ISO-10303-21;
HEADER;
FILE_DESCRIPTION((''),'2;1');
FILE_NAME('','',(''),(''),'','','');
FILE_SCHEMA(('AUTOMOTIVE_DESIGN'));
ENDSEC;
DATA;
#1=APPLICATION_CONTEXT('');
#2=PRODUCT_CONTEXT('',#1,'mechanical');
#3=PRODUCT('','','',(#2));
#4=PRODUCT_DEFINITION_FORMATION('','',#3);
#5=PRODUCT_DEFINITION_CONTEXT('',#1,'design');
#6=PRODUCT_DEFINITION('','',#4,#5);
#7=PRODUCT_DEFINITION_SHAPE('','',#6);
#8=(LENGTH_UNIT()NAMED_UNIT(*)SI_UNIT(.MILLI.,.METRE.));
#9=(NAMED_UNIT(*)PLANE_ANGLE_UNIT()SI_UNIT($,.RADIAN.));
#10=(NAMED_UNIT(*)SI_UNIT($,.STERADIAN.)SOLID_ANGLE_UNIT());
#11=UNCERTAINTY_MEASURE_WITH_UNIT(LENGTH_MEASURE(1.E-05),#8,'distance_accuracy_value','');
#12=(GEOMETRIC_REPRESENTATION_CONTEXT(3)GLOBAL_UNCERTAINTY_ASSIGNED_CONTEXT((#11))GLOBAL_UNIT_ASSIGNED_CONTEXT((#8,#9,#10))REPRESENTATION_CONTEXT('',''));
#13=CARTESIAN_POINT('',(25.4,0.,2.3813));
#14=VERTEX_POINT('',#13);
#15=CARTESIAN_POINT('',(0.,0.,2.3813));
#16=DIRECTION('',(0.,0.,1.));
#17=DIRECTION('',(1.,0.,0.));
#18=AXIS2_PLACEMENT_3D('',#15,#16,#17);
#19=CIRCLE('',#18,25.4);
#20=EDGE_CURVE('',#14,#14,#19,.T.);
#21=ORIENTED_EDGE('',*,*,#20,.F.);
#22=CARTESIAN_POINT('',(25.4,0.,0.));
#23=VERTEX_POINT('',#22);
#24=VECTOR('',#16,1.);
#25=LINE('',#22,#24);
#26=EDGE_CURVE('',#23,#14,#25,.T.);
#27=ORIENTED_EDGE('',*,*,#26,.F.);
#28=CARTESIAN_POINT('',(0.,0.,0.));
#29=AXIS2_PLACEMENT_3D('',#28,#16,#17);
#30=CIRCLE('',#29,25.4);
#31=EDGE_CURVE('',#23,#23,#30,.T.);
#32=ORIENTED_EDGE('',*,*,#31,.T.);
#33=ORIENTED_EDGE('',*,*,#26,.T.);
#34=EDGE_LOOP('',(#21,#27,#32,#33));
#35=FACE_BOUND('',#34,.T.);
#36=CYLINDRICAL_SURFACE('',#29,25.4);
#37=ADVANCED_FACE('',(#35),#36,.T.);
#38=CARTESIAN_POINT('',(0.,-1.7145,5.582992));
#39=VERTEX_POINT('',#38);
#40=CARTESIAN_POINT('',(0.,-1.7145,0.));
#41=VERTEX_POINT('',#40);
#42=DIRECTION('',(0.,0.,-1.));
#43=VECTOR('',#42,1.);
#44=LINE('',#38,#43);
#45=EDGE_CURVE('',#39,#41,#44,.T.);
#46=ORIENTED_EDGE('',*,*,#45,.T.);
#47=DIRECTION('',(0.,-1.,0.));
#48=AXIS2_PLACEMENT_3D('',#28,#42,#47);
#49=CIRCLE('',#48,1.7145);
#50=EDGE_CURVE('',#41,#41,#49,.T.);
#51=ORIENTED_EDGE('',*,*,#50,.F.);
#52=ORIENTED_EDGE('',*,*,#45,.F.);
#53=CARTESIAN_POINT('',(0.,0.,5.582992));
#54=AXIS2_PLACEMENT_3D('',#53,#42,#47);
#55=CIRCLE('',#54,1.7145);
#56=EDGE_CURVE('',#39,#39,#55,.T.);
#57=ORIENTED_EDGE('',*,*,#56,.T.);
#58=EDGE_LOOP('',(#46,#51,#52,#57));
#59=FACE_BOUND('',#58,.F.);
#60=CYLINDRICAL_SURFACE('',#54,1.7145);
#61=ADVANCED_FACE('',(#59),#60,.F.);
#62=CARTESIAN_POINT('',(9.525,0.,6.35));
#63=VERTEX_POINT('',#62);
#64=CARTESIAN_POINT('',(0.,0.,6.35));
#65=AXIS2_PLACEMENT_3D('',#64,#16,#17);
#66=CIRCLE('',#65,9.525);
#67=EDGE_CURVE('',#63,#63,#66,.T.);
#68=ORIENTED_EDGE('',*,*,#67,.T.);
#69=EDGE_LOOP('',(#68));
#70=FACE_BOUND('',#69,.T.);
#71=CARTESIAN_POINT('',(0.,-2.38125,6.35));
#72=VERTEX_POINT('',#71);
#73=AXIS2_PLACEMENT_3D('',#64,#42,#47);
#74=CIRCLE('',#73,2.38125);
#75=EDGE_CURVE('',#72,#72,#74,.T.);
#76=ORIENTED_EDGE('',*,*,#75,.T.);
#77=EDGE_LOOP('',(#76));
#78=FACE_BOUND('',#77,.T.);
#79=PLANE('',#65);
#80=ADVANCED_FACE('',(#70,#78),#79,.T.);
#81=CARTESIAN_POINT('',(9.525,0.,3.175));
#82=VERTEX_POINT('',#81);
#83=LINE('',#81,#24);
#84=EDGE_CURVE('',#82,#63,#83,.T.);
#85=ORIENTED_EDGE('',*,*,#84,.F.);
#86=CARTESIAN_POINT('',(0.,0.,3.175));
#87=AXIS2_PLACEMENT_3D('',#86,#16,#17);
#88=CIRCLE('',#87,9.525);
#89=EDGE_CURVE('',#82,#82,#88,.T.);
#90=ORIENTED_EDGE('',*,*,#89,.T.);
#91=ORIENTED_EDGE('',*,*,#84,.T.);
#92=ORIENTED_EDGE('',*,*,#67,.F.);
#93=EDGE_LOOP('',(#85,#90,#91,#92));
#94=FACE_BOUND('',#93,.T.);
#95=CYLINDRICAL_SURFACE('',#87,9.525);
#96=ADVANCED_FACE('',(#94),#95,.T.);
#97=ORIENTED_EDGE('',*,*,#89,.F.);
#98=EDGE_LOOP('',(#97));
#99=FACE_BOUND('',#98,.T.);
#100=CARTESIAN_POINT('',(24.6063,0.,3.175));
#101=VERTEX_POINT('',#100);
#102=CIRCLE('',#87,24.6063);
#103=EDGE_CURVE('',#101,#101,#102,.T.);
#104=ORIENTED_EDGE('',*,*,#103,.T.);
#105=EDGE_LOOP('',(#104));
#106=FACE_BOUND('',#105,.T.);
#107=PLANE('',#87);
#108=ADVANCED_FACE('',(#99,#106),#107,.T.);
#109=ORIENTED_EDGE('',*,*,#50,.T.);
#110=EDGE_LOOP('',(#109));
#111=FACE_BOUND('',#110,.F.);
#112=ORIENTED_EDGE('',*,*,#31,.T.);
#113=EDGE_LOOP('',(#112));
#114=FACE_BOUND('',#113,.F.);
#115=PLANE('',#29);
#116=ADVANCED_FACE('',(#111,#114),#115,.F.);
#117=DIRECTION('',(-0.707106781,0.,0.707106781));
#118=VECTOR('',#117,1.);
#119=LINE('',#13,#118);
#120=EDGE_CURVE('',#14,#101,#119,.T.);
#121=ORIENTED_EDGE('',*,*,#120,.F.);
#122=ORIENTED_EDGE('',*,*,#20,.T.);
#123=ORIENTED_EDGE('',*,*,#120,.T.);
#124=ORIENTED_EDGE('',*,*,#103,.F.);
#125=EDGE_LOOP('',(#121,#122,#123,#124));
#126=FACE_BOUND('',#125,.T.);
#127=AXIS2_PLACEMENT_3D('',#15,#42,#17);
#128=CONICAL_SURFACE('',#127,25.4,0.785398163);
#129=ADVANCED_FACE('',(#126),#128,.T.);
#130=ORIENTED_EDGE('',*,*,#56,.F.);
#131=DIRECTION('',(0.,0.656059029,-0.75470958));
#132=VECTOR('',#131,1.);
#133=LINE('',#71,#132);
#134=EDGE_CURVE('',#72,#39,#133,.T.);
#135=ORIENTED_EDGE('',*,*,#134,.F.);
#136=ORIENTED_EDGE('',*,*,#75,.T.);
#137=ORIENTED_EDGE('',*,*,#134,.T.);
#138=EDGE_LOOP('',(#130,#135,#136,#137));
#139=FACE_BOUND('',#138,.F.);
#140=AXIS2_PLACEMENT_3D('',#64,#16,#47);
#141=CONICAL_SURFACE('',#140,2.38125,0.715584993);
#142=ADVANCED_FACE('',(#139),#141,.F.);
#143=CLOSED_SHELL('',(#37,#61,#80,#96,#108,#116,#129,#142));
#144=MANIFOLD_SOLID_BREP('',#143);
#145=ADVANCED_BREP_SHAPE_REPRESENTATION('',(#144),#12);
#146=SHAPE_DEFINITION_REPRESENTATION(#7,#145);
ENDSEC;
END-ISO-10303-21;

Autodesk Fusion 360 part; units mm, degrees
cylinder "CylinderPrimitive1" add diameter 50.8 height 3.175 placed x (1, 0, 0) y (0, 1, 0) z (0, 0, 1) at (0, 0, 0) in component "Sandblaster Cabinet pegs"
cylinder "CylinderPrimitive2" add diameter 19.05 height 3.175 placed x (1, 0, 0) y (0, 1, 0) z (0, 0, 1) at (0, 0, 3.175) in component "Sandblaster Cabinet pegs"
hole "Hole1" at (0, 0, 6.35) direction (0, 0, -1) diameter 3.429 end through all countersink diameter 4.7625 countersink angle 82 in component "Sandblaster Cabinet pegs"
chamfer "Chamfer1" distance 0.7937 angle 45 1 edges at (-23.6811, -9.185, 3.175) in component "Sandblaster Cabinet pegs"
component "Sandblaster Cabinet pegs" placed x (1, 0, 0) y (0, 1, 0) z (0, 0, 1) at (0, 0, 0)
equation "d12 = ( 1 / 32 ) * 1 in"
